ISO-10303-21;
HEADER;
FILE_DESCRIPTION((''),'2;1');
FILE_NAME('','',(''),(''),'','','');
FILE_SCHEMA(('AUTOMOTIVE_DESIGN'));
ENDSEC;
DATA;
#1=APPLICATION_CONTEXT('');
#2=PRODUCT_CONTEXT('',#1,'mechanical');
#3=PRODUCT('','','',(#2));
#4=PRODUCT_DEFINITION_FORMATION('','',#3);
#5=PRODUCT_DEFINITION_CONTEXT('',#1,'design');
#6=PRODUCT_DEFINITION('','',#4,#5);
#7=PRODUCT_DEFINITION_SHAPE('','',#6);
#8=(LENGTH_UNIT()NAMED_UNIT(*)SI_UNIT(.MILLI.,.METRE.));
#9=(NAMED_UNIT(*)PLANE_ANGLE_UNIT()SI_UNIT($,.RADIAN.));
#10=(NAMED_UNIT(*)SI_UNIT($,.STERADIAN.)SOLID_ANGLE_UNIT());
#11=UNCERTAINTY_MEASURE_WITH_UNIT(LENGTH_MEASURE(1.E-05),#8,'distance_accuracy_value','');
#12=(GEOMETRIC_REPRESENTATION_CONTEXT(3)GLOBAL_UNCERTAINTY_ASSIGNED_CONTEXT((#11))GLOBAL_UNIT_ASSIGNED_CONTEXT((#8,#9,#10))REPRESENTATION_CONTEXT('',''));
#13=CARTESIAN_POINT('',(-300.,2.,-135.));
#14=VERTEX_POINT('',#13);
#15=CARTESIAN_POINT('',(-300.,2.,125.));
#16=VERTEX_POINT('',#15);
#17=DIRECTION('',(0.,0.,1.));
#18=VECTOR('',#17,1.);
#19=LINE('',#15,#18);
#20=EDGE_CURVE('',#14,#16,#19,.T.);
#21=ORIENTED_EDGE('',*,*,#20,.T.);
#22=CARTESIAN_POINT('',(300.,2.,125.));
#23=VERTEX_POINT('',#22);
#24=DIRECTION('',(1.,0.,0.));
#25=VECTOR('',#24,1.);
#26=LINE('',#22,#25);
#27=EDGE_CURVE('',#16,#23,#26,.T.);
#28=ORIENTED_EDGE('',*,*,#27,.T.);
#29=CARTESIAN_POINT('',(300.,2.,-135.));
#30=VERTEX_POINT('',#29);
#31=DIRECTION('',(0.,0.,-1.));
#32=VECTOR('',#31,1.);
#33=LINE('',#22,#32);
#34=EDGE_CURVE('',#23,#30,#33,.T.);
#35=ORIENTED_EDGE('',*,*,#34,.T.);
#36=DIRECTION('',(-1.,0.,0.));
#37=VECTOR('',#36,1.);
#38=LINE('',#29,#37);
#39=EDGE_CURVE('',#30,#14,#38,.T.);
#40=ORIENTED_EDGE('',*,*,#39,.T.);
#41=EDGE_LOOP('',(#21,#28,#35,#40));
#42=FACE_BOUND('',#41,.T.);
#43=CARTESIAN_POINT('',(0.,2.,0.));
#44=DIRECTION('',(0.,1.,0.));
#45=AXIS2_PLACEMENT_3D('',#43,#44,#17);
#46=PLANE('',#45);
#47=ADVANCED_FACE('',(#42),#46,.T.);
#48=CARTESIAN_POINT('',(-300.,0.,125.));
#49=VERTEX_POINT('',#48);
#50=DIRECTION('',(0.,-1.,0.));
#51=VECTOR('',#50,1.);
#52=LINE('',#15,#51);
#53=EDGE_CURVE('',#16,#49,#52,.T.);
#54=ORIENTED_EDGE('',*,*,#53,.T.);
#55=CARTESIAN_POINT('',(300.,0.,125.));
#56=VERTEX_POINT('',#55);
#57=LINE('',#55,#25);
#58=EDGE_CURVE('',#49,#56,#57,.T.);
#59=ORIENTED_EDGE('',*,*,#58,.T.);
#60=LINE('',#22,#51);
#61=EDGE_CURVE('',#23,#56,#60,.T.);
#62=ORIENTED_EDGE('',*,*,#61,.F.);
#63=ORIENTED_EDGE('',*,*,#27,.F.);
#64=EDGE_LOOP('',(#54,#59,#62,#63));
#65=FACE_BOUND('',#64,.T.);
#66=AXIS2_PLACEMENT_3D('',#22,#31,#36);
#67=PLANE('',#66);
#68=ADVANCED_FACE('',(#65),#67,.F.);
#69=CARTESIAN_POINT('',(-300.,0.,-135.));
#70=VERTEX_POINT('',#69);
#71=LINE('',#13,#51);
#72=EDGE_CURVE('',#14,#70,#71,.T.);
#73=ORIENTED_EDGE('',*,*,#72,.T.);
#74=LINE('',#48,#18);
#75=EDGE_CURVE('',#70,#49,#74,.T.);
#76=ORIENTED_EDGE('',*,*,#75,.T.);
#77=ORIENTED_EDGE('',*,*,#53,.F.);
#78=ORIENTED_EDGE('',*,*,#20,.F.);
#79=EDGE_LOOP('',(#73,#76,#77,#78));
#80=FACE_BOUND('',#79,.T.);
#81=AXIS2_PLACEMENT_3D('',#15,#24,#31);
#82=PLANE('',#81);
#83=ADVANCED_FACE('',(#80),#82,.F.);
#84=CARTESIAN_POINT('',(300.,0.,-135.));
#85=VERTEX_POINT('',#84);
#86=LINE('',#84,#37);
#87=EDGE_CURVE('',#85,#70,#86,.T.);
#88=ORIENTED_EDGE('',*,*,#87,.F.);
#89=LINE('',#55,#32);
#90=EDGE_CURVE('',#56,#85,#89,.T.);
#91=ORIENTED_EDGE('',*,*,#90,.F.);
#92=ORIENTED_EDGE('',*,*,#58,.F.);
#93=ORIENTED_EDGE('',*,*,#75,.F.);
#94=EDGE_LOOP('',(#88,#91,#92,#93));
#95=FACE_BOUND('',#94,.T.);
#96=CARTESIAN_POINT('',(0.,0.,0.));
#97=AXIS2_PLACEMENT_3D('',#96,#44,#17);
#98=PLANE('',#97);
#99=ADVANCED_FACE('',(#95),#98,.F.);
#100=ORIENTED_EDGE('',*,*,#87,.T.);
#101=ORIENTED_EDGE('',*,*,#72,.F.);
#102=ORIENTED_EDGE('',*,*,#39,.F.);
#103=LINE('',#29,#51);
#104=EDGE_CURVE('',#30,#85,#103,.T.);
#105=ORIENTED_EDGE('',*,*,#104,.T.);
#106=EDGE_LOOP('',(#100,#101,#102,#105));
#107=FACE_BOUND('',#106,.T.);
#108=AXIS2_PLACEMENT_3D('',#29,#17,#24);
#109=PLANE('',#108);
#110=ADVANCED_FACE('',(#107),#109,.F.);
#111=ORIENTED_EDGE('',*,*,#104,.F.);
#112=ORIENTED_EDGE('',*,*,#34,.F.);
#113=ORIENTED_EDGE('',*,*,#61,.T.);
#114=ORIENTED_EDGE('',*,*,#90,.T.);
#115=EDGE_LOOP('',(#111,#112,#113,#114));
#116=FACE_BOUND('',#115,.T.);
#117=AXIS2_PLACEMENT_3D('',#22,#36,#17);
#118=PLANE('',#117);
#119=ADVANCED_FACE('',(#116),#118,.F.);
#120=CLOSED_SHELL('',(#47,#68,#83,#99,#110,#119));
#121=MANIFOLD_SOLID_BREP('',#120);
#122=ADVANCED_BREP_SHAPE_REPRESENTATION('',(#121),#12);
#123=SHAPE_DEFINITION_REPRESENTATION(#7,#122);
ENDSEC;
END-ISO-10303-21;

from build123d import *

# Parameters (mm, degrees)
SKETCH_1_W      = 600
SKETCH_1_H      = 260
EXTRUDE_1_DEPTH = 2


with BuildPart() as part:
    # Эскиз1 → Бобышка-Вытянуть1 (new body)
    with BuildSketch(Plane(origin=(0, 0, 0), x_dir=(1, 0, 0), z_dir=(0, 1, 0))):
        with Locations((0, 5)):
            Rectangle(SKETCH_1_W, SKETCH_1_H)
    extrude(amount=EXTRUDE_1_DEPTH)


solid = part.part
